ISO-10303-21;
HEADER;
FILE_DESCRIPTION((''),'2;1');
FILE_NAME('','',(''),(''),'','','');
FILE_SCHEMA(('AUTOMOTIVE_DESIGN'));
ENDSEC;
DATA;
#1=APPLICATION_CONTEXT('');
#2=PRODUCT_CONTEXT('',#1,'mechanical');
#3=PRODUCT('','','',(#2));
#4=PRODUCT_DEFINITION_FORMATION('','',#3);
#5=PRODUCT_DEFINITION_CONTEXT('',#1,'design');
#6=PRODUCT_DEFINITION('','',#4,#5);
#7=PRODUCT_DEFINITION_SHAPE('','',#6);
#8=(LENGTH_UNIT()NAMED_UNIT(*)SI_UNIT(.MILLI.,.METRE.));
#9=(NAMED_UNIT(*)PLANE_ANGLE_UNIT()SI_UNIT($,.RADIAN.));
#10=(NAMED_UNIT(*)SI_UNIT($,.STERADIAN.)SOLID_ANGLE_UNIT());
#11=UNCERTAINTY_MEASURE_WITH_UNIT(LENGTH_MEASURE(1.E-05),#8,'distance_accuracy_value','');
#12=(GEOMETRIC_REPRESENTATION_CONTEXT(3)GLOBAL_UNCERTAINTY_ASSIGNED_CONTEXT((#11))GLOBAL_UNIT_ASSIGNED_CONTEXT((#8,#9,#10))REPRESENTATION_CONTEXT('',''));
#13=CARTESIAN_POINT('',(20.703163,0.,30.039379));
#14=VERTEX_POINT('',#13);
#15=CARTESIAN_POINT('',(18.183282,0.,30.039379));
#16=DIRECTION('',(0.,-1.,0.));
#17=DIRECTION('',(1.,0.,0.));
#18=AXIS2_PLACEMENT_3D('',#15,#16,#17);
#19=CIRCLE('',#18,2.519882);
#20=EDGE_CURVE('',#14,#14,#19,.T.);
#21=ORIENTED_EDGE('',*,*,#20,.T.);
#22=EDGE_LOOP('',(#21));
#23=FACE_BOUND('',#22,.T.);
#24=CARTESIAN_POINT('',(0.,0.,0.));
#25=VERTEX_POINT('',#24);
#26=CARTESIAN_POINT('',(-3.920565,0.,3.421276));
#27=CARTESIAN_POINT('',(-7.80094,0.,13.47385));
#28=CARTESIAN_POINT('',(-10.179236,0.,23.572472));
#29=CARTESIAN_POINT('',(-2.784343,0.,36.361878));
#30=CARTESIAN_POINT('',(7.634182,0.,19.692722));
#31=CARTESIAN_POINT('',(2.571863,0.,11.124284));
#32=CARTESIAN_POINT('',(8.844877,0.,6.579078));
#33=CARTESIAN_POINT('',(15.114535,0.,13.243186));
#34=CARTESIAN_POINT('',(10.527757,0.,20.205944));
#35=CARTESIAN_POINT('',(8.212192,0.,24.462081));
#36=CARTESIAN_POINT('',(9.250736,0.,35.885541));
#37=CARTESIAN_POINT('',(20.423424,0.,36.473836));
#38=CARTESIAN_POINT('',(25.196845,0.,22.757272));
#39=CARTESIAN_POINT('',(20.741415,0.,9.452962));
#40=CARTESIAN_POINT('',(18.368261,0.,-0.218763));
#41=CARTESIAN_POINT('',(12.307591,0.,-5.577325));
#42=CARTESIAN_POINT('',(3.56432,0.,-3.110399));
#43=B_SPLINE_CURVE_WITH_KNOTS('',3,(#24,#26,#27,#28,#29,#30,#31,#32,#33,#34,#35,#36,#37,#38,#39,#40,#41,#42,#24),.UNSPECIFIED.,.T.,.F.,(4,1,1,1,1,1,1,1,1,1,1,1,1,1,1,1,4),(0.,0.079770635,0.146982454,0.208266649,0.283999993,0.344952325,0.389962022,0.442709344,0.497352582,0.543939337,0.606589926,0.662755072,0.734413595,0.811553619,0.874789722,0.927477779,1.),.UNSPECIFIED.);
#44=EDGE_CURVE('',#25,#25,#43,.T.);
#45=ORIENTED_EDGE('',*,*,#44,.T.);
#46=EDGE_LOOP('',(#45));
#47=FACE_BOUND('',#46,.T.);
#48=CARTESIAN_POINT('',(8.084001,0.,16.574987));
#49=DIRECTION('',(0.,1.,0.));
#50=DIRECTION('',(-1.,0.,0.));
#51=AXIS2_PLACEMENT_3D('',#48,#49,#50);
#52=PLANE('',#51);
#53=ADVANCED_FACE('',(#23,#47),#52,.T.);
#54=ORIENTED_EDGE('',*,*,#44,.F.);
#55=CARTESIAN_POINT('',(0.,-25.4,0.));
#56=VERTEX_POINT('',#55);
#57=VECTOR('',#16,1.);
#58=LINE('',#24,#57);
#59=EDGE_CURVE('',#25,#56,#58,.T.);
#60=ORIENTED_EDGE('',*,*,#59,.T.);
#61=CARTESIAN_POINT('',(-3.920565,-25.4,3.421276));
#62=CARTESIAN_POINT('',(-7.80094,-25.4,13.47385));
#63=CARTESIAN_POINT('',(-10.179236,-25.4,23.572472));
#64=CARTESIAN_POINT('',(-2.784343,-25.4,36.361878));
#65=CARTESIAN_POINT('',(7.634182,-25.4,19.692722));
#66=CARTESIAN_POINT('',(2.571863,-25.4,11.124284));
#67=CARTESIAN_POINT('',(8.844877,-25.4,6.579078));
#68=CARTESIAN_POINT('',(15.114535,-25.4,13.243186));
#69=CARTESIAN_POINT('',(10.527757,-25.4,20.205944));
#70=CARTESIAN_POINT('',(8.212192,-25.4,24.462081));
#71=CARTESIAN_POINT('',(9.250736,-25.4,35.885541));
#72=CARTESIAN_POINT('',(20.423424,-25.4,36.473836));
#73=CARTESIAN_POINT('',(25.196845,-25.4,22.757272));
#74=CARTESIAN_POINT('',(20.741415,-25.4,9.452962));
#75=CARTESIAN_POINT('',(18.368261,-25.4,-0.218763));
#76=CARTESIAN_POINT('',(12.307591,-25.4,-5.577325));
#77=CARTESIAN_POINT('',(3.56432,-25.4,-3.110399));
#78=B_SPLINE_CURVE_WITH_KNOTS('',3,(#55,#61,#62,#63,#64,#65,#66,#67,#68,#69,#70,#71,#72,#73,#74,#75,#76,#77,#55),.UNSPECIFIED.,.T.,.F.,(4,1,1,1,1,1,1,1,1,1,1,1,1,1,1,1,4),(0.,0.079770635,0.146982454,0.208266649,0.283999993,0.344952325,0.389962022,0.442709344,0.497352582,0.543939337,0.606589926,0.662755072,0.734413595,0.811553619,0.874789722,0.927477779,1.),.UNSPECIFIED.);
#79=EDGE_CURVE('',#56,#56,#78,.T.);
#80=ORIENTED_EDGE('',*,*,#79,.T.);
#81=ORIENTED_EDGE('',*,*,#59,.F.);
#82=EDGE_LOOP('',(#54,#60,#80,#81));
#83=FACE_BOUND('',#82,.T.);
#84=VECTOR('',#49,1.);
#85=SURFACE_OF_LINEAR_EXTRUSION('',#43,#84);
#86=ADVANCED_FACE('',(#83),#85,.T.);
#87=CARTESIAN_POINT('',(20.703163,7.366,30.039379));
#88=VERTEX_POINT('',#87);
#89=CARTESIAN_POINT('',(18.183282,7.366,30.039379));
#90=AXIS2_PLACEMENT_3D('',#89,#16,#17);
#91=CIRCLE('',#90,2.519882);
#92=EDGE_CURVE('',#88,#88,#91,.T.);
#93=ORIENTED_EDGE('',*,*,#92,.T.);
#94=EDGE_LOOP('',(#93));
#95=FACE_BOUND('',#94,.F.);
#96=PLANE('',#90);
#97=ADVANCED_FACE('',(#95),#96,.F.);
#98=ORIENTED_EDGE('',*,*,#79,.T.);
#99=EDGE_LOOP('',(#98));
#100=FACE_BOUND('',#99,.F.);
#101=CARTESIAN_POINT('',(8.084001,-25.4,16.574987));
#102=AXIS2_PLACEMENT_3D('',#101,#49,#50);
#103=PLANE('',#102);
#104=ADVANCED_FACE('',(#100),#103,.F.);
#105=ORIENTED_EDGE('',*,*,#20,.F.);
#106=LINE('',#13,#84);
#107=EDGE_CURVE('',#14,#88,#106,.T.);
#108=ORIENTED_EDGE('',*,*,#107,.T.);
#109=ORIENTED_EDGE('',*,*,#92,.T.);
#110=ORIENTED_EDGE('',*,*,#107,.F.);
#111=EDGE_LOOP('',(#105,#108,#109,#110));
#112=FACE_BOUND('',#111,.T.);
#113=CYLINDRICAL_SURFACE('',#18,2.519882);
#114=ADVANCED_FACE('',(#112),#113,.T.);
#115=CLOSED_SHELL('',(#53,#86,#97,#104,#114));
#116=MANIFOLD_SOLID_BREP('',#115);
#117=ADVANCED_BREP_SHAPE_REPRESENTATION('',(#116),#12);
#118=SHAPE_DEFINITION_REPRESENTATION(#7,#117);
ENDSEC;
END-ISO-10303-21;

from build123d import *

# Parameters (mm, degrees)
F1_DEPTH = 25.4
F2_R     = 2.5198817124
F3_DEPTH = 7.366


with BuildPart() as f1:
    # F0 (on Front) → F1 (new body)
    with BuildSketch(Plane.XZ):
        with BuildLine():
            add(Edge.make_bspline(
                [(0, 0), (-3.9205650553, 3.4212760216), (-7.800939938, 13.4738499055), (-10.1792356157, 23.5724718455), (-2.7843434054, 36.3618775316), (7.63418248, 19.6927218709), (2.5718630334, 11.1242836546), (8.8448773055, 6.5790779527), (15.1145349384, 13.2431856965), (10.5277565908, 20.2059436708), (8.2121924719, 24.462080846), (9.2507363886, 35.8855413449), (20.4234239159, 36.4738359343), (25.1968454539, 22.7572715649), (20.741414882, 9.452962263), (18.3682609525, -0.2187629278), (12.307591226, -5.5773247451), (3.5643201761, -3.1103993888), (0, 0)],
                knots=[0, 0, 0, 0, 0.0797706351, 0.1469824537, 0.2082666489, 0.2839999934, 0.3449523253, 0.3899620224, 0.4427093438, 0.4973525824, 0.5439393372, 0.6065899264, 0.6627550725, 0.7344135951, 0.811553619, 0.8747897218, 0.9274777793, 1, 1, 1, 1], degree=3))
        make_face()
    extrude(amount=F1_DEPTH)

    # F2 (on Front) → F3 (join)
    with BuildSketch(Plane.XZ):
        with Locations((18.1832816452, 30.0393793732)):
            Circle(F2_R)
    extrude(amount=-F3_DEPTH)


solid = f1.part
